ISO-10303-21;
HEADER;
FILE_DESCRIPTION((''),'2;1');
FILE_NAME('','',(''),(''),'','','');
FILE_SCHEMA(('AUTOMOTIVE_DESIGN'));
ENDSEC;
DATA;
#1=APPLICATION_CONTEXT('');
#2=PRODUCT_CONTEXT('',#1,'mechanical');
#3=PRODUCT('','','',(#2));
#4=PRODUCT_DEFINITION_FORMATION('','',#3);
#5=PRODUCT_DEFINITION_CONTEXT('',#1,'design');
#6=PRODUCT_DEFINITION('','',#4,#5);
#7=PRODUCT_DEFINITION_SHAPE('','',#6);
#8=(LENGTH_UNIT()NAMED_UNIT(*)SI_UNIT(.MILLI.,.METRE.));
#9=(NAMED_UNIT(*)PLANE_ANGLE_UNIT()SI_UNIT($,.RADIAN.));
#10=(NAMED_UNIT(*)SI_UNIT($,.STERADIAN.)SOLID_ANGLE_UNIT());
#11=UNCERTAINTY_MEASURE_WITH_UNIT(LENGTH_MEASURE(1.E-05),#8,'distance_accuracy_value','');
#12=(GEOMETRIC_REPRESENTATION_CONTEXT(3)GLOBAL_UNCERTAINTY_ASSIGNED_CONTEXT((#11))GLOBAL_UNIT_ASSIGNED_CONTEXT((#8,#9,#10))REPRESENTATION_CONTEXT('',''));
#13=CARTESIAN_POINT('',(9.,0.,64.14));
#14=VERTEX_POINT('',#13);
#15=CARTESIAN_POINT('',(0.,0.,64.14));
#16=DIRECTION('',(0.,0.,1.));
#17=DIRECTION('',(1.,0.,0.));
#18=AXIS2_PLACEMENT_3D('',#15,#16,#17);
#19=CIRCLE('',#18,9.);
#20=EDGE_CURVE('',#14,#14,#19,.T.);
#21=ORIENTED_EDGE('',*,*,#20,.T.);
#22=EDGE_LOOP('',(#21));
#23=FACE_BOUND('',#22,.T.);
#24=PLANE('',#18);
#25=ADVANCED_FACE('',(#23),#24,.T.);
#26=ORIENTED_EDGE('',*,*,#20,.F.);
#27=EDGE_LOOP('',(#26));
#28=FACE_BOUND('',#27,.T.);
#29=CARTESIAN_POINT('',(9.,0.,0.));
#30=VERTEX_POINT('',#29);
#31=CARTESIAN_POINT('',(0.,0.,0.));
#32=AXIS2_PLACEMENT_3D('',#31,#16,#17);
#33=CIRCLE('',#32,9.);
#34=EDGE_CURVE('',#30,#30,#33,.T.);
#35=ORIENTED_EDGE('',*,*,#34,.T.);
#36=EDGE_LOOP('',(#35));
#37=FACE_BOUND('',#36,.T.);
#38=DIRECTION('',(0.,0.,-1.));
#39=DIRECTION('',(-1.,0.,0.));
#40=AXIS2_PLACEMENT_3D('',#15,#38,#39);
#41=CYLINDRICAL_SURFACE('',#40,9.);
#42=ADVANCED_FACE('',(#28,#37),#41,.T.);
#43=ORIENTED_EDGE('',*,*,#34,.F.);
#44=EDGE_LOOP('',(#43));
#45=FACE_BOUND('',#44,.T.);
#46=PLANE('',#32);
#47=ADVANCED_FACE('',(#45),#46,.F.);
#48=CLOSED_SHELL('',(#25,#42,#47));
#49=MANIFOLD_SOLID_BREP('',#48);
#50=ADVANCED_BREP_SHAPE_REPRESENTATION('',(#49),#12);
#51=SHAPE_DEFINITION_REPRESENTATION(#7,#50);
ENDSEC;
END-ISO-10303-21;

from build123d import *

# Parameters (mm, degrees)
SKETCH1_R           = 9
BOSS_EXTRUDE1_DEPTH = 64.14


with BuildPart() as part:
    # Sketch1 → Boss-Extrude1 (new body)
    with BuildSketch(Plane(origin=(0, 0, 0), x_dir=(0, 1, 0), z_dir=(0, 0, 1))):
        with Locations(Location((0, 0, 0), (0, 0, 270))):
            Circle(SKETCH1_R)
    extrude(amount=BOSS_EXTRUDE1_DEPTH)


solid = part.part
